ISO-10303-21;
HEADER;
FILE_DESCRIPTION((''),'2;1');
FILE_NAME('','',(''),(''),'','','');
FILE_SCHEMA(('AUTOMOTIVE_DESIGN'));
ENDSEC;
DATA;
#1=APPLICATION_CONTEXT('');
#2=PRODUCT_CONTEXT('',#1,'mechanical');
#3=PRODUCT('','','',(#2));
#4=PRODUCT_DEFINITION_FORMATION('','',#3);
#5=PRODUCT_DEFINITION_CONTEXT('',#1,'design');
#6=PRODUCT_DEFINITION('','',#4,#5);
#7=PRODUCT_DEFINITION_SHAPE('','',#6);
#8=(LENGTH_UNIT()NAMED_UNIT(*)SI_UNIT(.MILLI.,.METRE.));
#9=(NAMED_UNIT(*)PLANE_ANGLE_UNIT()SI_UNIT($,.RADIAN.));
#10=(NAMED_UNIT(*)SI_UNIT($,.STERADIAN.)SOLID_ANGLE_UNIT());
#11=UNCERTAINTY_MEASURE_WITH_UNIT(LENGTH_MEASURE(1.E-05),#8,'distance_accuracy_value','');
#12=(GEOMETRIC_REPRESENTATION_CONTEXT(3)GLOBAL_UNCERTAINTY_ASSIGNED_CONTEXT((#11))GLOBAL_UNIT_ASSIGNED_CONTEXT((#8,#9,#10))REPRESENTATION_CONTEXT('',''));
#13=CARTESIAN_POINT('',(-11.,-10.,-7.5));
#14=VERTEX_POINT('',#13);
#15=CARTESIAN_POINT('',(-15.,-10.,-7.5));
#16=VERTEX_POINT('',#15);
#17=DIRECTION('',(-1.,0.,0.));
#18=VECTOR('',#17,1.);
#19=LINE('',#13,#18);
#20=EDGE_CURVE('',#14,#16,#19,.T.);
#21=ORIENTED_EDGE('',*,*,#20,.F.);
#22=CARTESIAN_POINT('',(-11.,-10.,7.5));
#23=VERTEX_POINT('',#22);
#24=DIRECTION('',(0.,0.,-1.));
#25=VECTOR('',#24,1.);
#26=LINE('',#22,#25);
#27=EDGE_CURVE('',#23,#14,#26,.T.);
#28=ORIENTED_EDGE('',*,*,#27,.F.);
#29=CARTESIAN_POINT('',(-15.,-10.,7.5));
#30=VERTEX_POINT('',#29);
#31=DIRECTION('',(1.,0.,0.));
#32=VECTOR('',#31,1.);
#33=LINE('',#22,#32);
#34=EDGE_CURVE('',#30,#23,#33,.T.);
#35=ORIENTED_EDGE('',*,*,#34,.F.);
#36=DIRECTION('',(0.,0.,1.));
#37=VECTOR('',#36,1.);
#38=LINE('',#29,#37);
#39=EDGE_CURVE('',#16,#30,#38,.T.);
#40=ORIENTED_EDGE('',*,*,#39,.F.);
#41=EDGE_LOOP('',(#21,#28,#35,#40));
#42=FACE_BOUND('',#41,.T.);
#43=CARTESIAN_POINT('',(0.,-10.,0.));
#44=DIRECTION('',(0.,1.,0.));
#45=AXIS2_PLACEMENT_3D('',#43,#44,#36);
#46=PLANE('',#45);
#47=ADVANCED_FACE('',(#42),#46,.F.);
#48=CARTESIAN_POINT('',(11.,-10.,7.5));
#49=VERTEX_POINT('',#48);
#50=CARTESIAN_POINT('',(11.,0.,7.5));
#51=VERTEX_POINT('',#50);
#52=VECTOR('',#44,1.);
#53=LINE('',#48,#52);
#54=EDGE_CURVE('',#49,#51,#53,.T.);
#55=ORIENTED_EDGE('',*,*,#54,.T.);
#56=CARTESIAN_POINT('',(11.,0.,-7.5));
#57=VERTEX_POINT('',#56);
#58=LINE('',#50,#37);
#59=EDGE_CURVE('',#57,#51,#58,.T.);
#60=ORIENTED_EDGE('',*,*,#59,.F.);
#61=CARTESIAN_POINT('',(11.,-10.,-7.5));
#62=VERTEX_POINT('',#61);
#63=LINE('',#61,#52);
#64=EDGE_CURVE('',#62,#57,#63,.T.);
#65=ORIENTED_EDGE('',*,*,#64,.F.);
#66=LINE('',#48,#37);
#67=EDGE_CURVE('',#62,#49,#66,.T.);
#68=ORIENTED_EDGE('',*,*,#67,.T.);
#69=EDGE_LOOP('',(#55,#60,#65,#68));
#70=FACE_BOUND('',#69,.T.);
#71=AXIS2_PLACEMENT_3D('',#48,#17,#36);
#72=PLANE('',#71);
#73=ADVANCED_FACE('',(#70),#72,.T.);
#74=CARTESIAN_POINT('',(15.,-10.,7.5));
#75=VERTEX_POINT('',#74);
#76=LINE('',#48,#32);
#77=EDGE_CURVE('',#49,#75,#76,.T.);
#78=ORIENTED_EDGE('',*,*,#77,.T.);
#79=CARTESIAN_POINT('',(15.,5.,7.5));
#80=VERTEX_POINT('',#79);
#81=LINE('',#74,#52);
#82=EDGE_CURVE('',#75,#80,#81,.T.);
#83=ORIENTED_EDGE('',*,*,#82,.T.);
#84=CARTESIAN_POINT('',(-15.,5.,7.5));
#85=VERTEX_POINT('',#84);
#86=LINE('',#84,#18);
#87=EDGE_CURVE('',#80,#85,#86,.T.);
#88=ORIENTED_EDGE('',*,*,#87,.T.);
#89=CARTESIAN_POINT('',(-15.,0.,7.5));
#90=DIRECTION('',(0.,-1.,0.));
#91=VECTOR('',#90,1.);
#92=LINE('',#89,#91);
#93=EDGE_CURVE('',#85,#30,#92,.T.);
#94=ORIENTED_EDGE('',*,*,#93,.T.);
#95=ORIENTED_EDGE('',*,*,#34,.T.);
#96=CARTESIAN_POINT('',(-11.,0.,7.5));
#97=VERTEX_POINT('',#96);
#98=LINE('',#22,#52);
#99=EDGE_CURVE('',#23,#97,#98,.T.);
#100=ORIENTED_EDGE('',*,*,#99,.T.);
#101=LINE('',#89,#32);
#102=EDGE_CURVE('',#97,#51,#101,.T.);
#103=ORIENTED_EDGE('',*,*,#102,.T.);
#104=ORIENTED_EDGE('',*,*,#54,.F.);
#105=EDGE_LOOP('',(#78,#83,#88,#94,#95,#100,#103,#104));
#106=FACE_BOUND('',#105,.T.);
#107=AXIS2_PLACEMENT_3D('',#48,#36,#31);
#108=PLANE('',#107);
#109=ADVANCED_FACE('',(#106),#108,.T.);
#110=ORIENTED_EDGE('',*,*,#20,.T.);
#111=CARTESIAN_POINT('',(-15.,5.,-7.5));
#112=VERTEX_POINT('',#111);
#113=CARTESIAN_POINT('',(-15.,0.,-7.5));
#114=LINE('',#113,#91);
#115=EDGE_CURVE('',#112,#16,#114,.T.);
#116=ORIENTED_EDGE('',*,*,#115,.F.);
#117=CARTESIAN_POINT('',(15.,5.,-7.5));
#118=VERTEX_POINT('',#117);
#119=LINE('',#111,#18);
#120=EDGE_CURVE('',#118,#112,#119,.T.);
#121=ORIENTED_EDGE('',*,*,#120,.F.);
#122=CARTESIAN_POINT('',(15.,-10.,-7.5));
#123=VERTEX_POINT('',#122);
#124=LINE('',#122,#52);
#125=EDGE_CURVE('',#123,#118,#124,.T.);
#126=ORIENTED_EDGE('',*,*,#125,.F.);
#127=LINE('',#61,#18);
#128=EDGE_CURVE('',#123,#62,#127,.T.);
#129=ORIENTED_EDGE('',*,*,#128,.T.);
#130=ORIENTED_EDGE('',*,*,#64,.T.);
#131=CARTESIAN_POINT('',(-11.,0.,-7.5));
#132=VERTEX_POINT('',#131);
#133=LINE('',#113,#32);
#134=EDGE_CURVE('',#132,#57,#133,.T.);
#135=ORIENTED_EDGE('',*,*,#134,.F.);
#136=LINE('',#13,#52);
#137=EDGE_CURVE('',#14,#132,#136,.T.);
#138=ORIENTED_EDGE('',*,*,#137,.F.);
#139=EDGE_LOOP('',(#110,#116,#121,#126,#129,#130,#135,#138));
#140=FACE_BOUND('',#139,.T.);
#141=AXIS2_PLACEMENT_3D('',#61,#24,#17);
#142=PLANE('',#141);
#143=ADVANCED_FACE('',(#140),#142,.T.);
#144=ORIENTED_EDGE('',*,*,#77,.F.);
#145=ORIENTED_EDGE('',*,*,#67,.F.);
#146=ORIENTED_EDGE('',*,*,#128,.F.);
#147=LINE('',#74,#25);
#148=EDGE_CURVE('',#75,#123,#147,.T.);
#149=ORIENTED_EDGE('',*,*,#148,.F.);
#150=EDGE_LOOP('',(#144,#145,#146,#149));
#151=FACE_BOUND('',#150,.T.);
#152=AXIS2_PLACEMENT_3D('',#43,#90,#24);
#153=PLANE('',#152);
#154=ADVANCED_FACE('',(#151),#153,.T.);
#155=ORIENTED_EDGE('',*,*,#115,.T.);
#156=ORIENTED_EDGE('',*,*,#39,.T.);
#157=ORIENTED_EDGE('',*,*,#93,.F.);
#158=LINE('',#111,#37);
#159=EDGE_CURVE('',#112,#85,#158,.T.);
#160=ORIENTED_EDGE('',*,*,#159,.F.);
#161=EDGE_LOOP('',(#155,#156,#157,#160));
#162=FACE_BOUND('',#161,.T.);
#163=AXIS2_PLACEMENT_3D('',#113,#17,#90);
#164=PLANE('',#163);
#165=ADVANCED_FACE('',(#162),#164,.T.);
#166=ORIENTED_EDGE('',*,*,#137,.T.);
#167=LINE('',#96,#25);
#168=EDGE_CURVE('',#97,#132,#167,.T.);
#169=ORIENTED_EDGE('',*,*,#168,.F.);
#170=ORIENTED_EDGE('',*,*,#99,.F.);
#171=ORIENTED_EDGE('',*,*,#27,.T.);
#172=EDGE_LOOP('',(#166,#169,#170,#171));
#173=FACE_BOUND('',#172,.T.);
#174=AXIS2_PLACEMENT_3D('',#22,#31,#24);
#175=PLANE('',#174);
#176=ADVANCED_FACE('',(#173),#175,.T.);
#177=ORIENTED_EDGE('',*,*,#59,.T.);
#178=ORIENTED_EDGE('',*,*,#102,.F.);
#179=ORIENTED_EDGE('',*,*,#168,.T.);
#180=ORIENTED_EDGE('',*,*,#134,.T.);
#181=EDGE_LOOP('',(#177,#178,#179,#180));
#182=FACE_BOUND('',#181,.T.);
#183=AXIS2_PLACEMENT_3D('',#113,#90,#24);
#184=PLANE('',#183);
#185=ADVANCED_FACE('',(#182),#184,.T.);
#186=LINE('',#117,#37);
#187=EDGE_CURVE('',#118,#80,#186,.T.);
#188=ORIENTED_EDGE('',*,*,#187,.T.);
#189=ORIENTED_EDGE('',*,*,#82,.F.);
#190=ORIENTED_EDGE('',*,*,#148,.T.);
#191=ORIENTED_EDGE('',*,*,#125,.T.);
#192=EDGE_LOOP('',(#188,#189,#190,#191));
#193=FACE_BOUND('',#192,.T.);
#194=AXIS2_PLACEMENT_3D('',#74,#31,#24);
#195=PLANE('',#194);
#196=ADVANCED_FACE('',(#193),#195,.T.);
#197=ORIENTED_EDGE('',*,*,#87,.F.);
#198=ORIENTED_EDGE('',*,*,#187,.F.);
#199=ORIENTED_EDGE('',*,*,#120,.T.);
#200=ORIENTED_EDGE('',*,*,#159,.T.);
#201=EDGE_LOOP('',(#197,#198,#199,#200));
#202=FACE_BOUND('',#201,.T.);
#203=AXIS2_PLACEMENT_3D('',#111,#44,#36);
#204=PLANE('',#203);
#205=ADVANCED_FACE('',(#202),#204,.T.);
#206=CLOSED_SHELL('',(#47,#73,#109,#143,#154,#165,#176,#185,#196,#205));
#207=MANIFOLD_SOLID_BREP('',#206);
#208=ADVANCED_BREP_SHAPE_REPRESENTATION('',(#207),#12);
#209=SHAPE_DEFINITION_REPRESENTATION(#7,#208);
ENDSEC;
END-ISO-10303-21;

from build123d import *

# Parameters (mm, degrees)
SKETCH2_W                = 4
SKETCH2_H                = 15
BOSS_EXTRUDE1_DEPTH      = 10
BOSS_EXTRUDE1_2_DEPTH    = 10
BOSS_EXTRUDE2_DEPTH      = 7.5
BOSS_EXTRUDE2_DEPTH_BACK = 7.5
SKETCH3_W                = 30
SKETCH3_H                = 5


with BuildPart() as part:
    # Sketch2 → Boss-Extrude1 (new body)
    with BuildSketch(Plane(origin=(0, 0, 0), x_dir=(1, 0, 0), z_dir=(0, 1, 0))):
        with Locations((-13, 0)):
            Rectangle(SKETCH2_W, SKETCH2_H)
    extrude(amount=-BOSS_EXTRUDE1_DEPTH)



with BuildPart() as body_2:
    # Sketch2 → Boss-Extrude1 2 (new body)
    with BuildSketch(Plane(origin=(0, 0, 0), x_dir=(1, 0, 0), z_dir=(0, 1, 0))):
        with Locations((13, 0)):
            Rectangle(SKETCH2_W, SKETCH2_H)
    extrude(amount=-BOSS_EXTRUDE1_2_DEPTH)


with BuildPart() as part_1:
    add(part.part)

    add(body_2.part)  # Boss-Extrude2 merges body 2
    # Sketch3 → Boss-Extrude2 (add, two sides: drawn at the far end of the back side and taken through both)
    with BuildSketch(Plane.XY.offset(-BOSS_EXTRUDE2_DEPTH_BACK)):
        with Locations((0, 2.5)):
            Rectangle(SKETCH3_W, SKETCH3_H)
    extrude(amount=BOSS_EXTRUDE2_DEPTH + BOSS_EXTRUDE2_DEPTH_BACK)


solid = part_1.part
